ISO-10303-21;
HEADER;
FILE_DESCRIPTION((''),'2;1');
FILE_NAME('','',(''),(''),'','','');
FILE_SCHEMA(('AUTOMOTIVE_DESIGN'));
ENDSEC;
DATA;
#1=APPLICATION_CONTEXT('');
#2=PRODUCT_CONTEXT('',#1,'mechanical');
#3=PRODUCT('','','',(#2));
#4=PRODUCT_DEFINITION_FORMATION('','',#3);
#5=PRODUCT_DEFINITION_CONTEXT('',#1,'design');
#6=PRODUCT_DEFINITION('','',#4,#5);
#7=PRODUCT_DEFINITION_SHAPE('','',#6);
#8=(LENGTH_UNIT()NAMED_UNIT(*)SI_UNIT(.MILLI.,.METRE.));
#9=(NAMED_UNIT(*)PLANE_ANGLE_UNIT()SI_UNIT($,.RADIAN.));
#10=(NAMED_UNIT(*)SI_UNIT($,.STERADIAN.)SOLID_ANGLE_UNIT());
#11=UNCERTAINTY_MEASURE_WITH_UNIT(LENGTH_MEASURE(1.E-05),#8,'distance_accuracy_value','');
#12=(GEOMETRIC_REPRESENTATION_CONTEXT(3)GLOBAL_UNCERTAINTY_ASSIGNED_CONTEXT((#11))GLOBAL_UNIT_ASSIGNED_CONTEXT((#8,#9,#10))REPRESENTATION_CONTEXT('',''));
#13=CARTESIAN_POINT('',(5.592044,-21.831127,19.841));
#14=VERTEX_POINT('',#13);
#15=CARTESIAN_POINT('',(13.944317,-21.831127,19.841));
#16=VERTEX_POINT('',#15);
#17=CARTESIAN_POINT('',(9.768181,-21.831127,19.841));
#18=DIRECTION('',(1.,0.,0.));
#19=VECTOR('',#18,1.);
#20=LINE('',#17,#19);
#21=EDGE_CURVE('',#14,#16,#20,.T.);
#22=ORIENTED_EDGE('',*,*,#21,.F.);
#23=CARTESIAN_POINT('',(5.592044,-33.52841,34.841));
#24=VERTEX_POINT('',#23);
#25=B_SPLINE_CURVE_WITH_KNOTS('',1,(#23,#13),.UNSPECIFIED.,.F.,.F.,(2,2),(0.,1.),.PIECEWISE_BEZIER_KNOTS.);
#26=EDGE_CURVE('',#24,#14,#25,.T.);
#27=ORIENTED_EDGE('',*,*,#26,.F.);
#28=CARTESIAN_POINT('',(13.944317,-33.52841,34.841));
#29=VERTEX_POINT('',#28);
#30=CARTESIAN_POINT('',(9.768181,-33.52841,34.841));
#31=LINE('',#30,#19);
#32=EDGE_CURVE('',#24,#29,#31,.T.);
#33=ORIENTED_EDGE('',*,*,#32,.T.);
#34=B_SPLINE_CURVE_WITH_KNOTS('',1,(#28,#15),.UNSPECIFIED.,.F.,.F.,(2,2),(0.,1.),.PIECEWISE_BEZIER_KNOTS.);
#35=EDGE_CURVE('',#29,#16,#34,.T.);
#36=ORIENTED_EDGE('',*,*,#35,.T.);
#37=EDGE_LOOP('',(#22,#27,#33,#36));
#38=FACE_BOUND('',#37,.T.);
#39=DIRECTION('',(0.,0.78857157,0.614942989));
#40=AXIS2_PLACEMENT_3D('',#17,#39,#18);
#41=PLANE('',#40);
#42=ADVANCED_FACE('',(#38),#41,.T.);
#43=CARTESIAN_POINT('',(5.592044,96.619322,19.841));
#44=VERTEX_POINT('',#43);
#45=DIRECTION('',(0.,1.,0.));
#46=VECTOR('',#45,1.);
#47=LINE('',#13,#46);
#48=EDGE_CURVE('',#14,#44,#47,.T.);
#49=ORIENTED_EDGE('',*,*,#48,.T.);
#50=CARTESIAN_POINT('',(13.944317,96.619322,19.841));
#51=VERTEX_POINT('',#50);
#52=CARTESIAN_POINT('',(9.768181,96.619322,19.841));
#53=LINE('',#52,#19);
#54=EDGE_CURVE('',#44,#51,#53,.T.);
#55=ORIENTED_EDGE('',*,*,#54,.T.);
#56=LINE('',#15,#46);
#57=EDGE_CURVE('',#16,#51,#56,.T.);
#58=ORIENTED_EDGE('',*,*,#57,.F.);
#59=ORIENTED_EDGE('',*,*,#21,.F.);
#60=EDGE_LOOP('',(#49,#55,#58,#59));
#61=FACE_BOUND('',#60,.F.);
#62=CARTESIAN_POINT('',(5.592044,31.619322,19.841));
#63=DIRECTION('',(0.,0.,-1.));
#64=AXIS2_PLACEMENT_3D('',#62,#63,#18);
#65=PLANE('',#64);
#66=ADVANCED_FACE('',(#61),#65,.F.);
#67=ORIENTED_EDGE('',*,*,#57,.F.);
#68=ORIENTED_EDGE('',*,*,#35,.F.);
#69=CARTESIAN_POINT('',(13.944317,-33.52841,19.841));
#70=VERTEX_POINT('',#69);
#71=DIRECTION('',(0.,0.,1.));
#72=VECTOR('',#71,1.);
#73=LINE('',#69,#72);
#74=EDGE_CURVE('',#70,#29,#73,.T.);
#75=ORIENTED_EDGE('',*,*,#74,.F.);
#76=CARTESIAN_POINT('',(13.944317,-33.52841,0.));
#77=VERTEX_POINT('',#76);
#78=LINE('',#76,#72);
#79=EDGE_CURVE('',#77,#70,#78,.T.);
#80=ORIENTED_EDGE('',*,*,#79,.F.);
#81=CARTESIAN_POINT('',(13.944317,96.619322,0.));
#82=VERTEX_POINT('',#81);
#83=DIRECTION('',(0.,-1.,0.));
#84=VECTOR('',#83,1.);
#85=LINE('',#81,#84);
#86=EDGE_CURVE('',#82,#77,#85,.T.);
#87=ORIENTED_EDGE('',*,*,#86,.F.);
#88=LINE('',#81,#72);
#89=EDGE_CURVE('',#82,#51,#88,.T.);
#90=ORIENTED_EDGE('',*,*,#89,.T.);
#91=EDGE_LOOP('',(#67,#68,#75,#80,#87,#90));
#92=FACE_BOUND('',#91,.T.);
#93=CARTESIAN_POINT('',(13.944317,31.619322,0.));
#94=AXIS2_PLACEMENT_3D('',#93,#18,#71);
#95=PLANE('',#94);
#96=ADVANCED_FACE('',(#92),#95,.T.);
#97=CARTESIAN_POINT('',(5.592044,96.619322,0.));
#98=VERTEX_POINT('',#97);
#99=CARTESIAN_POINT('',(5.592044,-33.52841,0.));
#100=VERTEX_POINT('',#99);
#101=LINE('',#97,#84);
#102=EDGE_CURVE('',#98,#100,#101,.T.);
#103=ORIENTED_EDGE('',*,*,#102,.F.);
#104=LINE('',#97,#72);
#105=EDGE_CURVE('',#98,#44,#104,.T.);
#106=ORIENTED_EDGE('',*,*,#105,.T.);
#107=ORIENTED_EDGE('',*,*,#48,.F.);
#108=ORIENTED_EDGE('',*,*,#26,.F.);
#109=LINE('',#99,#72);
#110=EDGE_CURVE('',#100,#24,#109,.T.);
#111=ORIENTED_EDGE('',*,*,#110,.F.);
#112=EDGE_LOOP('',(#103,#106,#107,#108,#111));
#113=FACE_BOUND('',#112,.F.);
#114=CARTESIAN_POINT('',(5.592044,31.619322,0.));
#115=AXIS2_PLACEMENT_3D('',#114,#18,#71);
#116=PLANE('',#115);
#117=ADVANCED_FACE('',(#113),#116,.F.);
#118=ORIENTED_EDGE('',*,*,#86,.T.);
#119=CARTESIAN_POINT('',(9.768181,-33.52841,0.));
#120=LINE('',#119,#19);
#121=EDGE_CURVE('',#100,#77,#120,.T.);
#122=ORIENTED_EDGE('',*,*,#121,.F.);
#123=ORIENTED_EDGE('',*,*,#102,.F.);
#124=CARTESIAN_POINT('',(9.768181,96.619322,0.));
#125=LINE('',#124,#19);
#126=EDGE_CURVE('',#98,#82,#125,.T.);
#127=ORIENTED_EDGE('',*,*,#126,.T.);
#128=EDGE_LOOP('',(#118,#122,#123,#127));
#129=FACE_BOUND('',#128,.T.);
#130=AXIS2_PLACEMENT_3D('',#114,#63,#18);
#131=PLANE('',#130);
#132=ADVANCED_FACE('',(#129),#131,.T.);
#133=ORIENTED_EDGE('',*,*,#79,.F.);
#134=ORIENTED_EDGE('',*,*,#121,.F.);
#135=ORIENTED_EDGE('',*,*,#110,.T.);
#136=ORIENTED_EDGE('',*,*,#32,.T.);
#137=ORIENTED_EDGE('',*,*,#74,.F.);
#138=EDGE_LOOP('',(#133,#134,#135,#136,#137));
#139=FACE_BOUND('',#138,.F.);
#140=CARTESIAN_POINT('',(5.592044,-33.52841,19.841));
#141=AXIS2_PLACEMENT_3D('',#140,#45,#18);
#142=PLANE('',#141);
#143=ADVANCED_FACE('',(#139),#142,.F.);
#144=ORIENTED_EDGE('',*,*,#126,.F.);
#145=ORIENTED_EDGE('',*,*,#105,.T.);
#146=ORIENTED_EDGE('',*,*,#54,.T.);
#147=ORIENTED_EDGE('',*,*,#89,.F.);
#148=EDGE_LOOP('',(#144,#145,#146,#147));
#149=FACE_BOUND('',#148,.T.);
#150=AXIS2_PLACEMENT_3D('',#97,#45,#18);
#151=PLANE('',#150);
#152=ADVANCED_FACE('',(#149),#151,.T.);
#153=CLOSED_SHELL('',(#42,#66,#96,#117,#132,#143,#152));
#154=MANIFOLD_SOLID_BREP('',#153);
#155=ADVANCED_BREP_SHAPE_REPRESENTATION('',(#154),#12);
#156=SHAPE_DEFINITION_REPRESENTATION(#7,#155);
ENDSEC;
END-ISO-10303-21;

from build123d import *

# Parameters (mm, degrees)
F0_W      = 8.3522722125
F0_H      = 65.1477314532
F1_DEPTH  = 19.841
F2_W      = 8.3522722125
F2_H      = 11.6972830147
F3_DEPTH  = 15
F3_FACE_W = 8.3522722125
F3_FACE_H = 11.6972830147
F1_FACE_W = 8.3522722125
F1_FACE_H = 53.4504484385
F5_DEPTH  = 65


with BuildPart() as f1:
    # F0 (on Top) → F1 (new body)
    with BuildSketch(Plane.XY):
        with Locations((9.7681805491, -0.9545441717)):
            Rectangle(F0_W, F0_H)
    extrude(amount=F1_DEPTH)

    # F2 (on face) → F3 (join)
    with BuildSketch(Plane.XY.offset(19.841)):
        with Locations((9.7681805491, -27.679768391)):
            Rectangle(F2_W, F2_H)
    extrude(amount=F3_DEPTH)

    # F3_face (on face) → F4 section 0
    with BuildSketch(Plane(origin=(9.7681805491, -27.679768391, 34.841), x_dir=(1, 0, 0), z_dir=(0, 0, 1))):
        Rectangle(F3_FACE_W, F3_FACE_H)
    # F1_face (on face) → F4 section 1
    with BuildSketch(Plane(origin=(9.7681805491, -0.9545441717, 19.841), x_dir=(1, 0, 0), z_dir=(0, 0, 1))):
        with Locations((0, 5.8486415073)):
            Rectangle(F1_FACE_W, F1_FACE_H)
    loft(mode=Mode.SUBTRACT)

    # F5 (add): a face of the model
    f5_faces = [f1.faces().sort_by_distance(p)[0] for p in [
        (9.7681805491, 31.6193215549, 9.9205),
    ]]
    extrude(f5_faces, amount=F5_DEPTH)


solid = f1.part
